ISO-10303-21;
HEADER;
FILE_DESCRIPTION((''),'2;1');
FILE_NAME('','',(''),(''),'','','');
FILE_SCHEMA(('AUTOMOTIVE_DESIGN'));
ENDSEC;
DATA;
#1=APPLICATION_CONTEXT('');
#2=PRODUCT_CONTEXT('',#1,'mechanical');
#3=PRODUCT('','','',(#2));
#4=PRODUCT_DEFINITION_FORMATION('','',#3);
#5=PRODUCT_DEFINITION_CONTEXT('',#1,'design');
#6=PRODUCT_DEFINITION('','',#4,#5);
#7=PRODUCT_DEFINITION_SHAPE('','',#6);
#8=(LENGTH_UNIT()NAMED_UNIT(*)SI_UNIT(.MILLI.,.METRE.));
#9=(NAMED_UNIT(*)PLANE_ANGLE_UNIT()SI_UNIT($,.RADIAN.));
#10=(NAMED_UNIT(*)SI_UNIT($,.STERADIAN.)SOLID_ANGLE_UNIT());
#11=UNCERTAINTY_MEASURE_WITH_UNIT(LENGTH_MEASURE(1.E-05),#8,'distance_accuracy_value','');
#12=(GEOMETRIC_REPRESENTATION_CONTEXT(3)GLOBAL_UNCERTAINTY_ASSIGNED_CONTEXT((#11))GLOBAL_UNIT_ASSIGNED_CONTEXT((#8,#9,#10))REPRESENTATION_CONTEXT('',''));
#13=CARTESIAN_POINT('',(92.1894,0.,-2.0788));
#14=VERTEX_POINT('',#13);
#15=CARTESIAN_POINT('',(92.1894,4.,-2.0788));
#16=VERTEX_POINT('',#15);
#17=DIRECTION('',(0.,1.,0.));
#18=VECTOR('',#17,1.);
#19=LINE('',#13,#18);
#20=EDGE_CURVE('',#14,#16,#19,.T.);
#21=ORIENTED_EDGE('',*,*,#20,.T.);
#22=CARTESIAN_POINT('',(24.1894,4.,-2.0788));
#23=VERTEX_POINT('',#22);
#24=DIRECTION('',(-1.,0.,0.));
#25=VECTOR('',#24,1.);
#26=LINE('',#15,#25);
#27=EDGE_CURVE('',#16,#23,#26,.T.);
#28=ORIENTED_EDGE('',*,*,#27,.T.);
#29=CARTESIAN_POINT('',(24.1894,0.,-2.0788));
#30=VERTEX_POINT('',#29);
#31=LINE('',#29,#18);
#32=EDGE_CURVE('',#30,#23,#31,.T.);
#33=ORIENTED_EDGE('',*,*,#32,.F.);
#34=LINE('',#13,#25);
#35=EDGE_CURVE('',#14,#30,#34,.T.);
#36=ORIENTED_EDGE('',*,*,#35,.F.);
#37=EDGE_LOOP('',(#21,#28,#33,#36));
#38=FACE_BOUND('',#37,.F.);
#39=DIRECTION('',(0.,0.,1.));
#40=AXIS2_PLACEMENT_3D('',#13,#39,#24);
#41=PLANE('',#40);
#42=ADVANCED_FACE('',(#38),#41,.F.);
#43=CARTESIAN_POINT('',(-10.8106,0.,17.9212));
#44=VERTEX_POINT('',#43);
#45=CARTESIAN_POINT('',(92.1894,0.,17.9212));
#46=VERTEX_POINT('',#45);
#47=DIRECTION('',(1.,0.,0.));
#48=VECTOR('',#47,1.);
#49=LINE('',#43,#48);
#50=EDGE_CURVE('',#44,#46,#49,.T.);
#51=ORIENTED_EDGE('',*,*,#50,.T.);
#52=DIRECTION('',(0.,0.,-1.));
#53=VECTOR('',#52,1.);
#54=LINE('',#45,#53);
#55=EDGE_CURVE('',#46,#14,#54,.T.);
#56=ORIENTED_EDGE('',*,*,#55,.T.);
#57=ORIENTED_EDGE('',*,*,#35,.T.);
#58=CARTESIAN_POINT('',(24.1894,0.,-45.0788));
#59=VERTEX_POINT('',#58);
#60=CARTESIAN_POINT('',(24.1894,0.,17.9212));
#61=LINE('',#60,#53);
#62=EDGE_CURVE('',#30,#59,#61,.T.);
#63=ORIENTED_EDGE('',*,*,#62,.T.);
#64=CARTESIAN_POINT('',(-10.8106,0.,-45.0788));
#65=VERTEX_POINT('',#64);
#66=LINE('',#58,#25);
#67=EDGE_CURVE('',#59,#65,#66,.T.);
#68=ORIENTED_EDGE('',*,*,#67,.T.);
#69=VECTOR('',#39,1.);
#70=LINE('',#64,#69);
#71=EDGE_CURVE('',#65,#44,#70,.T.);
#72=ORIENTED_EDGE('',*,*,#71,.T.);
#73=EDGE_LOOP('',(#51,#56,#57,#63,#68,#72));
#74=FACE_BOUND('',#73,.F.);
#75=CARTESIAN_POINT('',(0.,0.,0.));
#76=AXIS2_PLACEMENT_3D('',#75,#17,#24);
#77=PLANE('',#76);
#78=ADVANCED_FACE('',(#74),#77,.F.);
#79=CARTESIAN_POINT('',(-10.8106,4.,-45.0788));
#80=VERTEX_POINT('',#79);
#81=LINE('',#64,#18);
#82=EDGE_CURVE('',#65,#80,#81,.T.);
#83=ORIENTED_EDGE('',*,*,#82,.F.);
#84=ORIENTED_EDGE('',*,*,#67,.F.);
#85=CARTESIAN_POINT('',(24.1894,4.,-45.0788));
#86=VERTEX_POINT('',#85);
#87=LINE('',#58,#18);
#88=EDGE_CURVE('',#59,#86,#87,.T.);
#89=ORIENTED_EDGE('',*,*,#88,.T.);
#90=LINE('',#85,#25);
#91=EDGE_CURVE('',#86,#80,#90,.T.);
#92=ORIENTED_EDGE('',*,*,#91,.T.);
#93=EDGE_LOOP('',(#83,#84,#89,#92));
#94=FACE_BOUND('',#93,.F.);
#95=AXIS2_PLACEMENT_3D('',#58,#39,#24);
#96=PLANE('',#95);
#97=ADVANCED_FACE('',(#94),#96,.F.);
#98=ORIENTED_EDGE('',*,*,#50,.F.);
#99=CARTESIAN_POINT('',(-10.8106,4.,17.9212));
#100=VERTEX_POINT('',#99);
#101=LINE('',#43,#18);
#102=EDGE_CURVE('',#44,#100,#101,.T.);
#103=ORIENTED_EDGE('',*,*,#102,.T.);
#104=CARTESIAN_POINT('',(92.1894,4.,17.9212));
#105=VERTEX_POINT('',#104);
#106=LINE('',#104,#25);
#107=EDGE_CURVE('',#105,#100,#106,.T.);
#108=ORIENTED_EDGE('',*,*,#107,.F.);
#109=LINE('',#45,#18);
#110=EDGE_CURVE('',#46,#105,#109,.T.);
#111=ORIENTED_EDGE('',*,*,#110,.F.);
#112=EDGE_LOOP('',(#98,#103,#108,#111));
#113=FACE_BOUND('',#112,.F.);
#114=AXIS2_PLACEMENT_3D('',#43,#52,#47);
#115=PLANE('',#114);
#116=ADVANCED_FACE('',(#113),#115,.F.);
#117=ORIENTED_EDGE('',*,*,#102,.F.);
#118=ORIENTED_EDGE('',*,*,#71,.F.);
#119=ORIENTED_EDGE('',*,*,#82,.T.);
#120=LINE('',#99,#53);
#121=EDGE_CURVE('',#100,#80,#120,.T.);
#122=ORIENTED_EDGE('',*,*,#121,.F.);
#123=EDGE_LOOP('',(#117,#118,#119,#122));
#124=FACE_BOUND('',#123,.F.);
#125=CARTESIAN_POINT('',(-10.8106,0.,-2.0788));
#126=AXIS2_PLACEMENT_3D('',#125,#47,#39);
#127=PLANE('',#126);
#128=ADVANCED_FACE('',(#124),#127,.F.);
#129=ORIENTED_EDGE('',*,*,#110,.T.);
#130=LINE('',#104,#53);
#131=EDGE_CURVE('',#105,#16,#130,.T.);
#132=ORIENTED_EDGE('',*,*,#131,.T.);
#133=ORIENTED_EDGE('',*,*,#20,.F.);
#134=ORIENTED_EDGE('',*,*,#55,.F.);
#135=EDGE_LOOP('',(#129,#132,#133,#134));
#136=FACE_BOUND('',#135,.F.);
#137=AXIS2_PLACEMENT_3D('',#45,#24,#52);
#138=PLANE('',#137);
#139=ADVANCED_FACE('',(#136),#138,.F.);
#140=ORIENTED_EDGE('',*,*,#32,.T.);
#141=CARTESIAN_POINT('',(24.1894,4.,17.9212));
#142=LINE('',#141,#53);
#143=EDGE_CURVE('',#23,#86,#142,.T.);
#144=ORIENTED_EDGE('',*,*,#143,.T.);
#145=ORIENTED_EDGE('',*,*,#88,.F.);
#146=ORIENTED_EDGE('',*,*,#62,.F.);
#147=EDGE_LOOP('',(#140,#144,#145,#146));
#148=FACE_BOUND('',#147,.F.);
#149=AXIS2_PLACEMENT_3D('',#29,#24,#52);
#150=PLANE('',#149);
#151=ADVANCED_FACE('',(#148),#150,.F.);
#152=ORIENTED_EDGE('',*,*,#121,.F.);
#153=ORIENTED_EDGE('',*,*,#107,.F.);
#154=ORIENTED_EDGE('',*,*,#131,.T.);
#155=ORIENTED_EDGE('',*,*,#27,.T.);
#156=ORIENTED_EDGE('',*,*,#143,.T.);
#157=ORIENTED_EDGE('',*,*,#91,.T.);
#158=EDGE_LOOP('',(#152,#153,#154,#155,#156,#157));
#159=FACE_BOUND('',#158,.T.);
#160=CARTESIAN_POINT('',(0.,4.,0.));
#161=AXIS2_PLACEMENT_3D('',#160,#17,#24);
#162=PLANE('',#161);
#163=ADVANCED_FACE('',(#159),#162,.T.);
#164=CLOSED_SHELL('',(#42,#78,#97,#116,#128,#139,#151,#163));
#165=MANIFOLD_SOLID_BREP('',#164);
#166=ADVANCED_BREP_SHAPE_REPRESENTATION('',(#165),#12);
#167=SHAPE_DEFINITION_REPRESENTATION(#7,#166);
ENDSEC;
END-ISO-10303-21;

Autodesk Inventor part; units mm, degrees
ref_plane "YZ Plane" through (0, 0, 0) normal (1, 0, 0) x (0, 1, 0)
ref_plane "XZ Plane" through (0, 0, 0) normal (0, 1, 0) x (-1, 0, 0)
ref_plane "XY Plane" through (0, 0, 0) normal (0, 0, 1) x (1, 0, 0)
sketch "Szkic1" plane through (0, 0, 0) normal (0, 1, 0) x (-1, 0, 0)
  line L0 (10.8106, 17.9212) -> (-24.1894, 17.9212)
  line L1 (-24.1894, 17.9212) -> (-24.1894, -45.0788)
  line L2 (-24.1894, -45.0788) -> (10.8106, -45.0788)
  line L3 (10.8106, -45.0788) -> (10.8106, 17.9212)
  line L4 (10.8106, 17.9212) -> (-92.1894, 17.9212)
  line L5 (-92.1894, 17.9212) -> (-92.1894, -2.0788)
  line L6 (-92.1894, -2.0788) -> (10.8106, -2.0788)
  line L7 (10.8106, -2.0788) -> (10.8106, 17.9212)
  point P0 (0, 0)
  point P1 (-24.1894, -2.0788)
  dimension "d0" = 35
  dimension "d1" = 63
  dimension "d2" = 20
  dimension "d3" = 103
extrude "Wyciągnięcie proste1" add sketch "Szkic1" along normal blind 4
properties part number "s5"
